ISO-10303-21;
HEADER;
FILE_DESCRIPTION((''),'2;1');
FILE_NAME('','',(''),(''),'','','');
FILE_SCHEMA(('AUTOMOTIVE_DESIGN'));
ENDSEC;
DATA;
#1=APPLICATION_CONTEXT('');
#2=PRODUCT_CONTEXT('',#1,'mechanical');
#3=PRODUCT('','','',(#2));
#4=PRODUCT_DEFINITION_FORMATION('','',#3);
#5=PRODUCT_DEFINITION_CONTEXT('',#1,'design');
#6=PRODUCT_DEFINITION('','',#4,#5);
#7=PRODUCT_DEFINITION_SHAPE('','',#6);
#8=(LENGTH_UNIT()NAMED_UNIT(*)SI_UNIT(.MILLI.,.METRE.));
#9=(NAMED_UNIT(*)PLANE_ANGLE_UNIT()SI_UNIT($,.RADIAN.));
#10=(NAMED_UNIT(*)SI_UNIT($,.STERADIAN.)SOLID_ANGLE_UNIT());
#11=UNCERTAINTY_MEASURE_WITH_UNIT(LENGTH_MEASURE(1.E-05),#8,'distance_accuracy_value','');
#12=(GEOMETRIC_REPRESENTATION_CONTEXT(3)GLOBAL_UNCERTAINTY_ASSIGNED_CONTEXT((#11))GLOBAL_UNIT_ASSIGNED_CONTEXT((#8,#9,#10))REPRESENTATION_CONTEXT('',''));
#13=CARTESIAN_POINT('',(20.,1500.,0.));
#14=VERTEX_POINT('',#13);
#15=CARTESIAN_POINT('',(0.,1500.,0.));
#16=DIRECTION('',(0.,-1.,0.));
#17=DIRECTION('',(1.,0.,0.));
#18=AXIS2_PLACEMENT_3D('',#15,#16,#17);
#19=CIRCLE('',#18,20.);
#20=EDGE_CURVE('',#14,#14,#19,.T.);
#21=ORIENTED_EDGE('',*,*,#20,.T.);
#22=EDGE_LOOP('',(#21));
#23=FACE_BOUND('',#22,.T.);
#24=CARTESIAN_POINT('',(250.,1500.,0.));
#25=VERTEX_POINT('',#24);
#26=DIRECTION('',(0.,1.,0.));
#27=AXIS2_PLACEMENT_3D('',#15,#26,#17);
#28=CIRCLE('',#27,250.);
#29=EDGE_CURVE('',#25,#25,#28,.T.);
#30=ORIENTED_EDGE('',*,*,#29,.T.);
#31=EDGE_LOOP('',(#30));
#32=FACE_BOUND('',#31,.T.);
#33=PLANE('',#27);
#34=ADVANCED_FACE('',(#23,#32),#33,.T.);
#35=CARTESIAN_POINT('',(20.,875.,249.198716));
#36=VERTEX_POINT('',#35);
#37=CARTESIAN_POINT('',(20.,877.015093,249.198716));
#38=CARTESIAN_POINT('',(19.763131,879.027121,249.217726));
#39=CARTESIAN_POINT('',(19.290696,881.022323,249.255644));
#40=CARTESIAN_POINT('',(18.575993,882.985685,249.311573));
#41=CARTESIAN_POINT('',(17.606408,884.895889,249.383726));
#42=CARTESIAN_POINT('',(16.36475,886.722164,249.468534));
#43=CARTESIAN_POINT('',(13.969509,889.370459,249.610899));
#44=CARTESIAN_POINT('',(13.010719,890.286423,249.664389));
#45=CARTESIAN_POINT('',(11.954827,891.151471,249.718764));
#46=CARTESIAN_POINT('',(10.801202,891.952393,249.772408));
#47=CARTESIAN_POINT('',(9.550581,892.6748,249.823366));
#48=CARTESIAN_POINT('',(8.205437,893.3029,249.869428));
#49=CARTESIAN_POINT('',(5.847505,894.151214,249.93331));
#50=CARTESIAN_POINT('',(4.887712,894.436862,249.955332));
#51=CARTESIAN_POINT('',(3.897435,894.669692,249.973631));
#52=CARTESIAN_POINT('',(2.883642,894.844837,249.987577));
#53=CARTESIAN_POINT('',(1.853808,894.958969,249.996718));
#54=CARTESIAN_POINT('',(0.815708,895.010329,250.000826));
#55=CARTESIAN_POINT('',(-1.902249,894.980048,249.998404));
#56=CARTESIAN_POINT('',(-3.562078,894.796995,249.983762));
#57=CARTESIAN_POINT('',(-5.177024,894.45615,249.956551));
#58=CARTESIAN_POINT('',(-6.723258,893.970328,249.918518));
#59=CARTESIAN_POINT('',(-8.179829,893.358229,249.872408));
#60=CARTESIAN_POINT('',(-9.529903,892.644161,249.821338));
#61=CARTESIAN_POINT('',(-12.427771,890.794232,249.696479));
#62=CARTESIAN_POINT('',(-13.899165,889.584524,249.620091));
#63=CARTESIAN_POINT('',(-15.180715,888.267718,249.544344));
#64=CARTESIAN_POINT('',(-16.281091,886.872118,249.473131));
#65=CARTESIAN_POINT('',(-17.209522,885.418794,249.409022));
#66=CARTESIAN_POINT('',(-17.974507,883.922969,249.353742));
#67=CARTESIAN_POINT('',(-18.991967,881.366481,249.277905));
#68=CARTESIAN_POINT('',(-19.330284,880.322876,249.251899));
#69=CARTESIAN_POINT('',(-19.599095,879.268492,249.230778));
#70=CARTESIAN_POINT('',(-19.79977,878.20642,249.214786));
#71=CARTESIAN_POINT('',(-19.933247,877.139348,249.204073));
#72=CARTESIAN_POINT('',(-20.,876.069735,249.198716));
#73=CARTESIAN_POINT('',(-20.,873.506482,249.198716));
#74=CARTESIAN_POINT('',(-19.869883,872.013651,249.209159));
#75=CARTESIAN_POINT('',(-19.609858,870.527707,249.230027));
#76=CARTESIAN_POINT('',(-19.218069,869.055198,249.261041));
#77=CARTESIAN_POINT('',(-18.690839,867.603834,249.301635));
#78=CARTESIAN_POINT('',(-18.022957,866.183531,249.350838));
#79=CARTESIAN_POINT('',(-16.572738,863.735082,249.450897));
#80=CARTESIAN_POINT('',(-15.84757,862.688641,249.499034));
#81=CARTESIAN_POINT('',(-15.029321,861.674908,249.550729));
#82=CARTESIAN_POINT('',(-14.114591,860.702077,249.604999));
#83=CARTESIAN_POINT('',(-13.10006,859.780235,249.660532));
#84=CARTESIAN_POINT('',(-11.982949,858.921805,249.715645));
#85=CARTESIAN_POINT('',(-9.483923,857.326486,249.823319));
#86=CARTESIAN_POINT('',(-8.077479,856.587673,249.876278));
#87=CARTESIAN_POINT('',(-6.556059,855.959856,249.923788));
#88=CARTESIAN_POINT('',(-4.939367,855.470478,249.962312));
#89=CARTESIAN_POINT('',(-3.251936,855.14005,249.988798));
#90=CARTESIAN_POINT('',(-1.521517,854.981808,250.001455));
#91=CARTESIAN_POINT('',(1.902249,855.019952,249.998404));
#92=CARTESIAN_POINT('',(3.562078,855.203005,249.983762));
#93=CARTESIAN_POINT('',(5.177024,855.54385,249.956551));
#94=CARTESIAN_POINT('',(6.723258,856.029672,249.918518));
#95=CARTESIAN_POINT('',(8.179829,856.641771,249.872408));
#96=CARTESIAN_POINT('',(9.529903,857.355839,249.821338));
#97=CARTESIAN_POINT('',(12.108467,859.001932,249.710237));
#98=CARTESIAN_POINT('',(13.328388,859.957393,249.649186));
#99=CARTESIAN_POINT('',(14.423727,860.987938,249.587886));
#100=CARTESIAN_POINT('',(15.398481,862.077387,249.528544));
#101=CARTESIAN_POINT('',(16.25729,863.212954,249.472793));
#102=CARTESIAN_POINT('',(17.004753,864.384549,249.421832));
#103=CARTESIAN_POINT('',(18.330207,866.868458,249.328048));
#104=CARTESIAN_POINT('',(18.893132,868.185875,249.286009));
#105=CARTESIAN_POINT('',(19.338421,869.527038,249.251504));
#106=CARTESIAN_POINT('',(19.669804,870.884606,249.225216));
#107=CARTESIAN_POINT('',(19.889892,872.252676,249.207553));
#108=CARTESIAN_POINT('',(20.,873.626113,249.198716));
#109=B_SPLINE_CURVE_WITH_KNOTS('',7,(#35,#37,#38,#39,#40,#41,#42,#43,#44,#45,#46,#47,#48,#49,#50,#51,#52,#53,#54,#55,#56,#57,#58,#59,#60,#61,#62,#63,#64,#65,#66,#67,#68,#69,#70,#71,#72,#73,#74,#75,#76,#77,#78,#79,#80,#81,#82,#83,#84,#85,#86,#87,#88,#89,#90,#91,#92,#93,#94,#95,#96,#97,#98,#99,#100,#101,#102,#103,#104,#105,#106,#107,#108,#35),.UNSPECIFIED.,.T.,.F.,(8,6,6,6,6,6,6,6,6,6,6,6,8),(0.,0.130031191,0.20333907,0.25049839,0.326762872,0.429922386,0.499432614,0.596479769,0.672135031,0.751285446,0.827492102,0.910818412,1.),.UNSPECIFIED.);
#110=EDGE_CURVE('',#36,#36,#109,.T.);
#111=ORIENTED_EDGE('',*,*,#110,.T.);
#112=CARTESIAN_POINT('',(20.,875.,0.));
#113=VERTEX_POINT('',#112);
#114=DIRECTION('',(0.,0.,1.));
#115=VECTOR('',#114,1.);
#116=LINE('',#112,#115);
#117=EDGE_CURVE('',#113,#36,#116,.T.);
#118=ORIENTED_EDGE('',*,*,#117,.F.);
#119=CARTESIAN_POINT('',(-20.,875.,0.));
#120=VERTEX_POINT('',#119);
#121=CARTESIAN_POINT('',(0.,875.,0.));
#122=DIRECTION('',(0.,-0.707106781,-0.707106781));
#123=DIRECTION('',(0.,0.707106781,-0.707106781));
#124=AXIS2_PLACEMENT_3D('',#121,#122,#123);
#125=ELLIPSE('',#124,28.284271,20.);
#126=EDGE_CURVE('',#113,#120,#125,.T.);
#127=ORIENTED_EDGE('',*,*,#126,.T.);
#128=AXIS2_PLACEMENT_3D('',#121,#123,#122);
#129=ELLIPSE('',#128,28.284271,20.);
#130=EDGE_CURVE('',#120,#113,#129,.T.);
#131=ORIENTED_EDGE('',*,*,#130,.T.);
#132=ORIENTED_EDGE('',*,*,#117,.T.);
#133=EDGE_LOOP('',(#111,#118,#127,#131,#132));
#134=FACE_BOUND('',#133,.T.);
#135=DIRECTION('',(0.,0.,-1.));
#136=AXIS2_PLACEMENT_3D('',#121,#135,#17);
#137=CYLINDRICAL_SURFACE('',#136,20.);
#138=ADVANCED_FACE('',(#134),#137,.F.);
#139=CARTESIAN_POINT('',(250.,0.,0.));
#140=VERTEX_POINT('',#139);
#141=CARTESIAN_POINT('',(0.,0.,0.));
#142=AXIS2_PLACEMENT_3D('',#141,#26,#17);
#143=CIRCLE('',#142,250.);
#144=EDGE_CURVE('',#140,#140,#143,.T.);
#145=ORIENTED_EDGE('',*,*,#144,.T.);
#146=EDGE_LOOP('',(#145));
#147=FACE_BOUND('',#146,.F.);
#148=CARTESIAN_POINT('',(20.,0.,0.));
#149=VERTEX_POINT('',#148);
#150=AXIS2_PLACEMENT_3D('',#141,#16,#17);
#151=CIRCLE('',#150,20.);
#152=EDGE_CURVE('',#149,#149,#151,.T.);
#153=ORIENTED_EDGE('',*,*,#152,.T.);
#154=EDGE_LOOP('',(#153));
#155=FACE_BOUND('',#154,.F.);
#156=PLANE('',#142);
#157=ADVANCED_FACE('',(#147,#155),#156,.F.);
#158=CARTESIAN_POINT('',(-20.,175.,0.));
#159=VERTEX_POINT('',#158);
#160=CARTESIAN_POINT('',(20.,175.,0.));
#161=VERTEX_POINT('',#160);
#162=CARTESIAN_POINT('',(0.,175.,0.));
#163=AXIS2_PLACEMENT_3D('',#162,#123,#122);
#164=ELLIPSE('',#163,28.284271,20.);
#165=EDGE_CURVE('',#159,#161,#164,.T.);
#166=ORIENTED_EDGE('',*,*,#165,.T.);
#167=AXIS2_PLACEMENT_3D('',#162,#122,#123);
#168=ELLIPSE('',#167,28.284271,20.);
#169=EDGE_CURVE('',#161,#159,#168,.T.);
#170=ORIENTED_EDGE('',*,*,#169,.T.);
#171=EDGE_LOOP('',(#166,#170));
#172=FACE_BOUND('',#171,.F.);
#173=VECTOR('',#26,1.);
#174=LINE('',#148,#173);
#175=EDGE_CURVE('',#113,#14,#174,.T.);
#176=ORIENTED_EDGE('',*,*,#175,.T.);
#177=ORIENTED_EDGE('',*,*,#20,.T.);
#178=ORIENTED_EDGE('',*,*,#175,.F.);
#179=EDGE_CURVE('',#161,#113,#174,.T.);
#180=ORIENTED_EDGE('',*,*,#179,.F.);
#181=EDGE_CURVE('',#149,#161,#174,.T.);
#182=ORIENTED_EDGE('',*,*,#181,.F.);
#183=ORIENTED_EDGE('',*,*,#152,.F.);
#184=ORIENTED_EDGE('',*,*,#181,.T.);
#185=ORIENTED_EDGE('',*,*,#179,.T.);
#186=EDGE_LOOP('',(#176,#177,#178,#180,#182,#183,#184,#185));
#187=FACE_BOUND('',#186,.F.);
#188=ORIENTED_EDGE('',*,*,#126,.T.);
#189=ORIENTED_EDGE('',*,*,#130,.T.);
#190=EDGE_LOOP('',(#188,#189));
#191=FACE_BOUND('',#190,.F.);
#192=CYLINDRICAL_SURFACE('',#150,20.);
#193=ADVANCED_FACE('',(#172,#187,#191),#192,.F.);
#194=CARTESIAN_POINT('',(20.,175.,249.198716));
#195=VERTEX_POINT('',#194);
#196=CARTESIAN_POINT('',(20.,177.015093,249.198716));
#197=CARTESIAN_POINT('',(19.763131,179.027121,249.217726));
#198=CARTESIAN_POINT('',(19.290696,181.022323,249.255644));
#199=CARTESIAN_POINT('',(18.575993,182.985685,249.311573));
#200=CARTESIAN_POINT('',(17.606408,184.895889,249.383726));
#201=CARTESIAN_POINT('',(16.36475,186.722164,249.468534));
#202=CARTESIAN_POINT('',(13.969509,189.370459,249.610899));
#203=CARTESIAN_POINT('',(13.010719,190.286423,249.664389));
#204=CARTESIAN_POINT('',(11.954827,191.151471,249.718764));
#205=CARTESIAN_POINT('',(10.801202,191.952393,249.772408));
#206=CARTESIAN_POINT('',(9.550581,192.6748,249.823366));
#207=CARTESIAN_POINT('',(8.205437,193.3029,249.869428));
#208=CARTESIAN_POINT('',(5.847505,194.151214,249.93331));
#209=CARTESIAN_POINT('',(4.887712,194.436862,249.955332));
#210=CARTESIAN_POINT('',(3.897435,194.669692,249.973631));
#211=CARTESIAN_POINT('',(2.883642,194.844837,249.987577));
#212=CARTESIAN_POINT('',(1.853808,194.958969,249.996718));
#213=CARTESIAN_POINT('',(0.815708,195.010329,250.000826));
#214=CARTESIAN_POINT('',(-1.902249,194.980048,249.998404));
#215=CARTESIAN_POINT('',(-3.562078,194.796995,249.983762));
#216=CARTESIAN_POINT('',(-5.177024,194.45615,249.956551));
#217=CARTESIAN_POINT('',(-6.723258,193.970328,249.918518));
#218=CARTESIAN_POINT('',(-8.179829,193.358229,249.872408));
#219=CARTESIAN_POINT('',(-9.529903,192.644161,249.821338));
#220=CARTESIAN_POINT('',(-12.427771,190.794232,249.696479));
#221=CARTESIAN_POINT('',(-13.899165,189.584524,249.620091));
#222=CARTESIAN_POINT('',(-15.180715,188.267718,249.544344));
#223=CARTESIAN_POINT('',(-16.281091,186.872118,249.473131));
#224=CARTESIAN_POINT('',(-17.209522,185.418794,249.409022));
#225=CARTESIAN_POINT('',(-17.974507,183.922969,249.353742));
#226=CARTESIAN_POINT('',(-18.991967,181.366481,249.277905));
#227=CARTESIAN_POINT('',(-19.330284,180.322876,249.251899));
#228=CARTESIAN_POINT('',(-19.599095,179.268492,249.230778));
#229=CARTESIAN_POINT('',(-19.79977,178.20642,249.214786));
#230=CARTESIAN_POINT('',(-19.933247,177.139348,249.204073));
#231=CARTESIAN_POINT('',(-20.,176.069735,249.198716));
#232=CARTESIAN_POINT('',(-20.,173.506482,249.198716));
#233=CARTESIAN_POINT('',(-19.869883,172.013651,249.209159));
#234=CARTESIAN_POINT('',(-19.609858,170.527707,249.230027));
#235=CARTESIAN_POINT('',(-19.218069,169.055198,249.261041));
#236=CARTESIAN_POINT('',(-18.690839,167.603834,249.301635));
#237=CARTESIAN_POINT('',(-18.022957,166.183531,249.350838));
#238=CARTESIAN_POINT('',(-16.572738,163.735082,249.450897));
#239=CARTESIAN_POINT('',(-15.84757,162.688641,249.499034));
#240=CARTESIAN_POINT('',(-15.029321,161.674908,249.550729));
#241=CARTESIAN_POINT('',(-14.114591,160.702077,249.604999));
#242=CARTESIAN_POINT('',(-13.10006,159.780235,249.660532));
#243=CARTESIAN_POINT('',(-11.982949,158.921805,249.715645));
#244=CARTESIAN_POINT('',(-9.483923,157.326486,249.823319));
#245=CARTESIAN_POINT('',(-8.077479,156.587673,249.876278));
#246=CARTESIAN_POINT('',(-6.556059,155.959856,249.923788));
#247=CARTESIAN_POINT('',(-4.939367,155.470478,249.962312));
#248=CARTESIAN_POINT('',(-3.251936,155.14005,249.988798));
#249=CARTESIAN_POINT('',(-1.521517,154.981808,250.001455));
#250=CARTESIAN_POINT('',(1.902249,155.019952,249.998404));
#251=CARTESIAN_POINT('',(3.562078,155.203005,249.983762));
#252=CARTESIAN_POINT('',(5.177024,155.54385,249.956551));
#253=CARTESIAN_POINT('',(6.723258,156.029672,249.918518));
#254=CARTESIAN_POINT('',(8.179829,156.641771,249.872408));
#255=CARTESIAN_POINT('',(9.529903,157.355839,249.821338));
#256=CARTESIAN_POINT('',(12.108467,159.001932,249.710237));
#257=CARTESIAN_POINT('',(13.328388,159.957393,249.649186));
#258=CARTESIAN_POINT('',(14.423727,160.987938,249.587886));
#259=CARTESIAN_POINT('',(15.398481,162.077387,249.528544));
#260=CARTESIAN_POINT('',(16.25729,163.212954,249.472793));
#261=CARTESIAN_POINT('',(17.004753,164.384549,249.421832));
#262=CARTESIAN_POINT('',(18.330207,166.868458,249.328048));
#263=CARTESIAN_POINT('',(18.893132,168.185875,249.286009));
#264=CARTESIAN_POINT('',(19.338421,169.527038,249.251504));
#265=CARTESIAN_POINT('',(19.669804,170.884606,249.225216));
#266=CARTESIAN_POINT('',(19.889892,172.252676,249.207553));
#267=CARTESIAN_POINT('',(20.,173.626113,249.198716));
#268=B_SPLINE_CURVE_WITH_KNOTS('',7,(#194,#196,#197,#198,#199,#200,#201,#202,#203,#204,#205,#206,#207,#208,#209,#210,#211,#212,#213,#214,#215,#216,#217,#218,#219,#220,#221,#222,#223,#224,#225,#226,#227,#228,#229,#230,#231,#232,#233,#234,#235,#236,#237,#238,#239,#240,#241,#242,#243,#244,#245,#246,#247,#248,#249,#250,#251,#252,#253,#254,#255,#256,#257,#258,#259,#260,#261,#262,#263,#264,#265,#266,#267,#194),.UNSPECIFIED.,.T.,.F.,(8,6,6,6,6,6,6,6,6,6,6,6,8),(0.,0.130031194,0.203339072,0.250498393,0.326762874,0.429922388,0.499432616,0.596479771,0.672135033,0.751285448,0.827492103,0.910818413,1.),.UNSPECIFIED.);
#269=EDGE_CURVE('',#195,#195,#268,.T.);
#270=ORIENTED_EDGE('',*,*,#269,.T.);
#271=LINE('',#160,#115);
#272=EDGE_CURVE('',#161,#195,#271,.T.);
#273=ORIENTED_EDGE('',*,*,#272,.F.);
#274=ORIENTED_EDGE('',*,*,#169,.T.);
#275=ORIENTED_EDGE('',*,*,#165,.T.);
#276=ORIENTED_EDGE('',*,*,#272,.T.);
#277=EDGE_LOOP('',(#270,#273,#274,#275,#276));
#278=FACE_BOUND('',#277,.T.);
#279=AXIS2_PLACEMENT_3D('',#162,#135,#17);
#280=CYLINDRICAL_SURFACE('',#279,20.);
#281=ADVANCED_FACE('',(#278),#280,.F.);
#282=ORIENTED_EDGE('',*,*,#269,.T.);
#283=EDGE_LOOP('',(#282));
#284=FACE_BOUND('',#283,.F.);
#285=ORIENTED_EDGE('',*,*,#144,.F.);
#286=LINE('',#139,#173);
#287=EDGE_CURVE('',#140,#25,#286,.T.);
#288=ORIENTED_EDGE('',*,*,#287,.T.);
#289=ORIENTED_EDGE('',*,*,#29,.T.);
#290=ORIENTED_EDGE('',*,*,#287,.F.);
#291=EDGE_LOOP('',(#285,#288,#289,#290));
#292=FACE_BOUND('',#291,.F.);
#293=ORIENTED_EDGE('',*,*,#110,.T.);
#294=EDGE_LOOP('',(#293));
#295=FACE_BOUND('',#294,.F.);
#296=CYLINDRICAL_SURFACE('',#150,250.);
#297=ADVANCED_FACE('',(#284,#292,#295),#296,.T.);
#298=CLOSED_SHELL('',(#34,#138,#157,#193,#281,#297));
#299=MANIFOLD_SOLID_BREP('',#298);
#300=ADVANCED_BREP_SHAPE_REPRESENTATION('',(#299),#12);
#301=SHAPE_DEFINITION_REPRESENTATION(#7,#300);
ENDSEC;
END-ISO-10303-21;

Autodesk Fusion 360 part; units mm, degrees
sketch "Sketch1" plane through (0, 0, 0) normal (0, 1, 0) x (1, 0, 0) in component "Component"
  circle A0 centre (0, 0) radius 250
  dimension "d7" = 500
extrude "Extrude1" add sketch "Sketch1" along normal blind 1500 in component "Component"
sketch "Sketch2" plane through (0, 0, 0) normal (0, 0, 1) x (1, 0, 0) in component "Component"
  circle A0 centre (0, 175) radius 20
  line L0 (0, 0) -> (0, 1500) construction
  circle A1 centre (0, 875) radius 20
  dimension "d10" = 40
  dimension "d11" = 1500
  dimension "d13" = 175
  dimension "d14" = 40
  dimension "d15" = 700
extrude "Extrude2" cut sketch "Sketch2" along normal blind 475 in component "Component"
sketch "Sketch3" plane through (0, 0, 0) normal (0, -1, 0) x (1, 0, 0) in component "Component"
  circle A0 centre (0, 0) radius 250
  circle A1 centre (0, 0) radius 20
  dimension "d18" = 40
extrude "Extrude3" cut sketch "Sketch3" against normal blind 1700 contours A1 in component "Component"
component "Component" placed x (1, 0, 0) y (0, 1, 0) z (0, 0, 1) at (0, 0, 0)
